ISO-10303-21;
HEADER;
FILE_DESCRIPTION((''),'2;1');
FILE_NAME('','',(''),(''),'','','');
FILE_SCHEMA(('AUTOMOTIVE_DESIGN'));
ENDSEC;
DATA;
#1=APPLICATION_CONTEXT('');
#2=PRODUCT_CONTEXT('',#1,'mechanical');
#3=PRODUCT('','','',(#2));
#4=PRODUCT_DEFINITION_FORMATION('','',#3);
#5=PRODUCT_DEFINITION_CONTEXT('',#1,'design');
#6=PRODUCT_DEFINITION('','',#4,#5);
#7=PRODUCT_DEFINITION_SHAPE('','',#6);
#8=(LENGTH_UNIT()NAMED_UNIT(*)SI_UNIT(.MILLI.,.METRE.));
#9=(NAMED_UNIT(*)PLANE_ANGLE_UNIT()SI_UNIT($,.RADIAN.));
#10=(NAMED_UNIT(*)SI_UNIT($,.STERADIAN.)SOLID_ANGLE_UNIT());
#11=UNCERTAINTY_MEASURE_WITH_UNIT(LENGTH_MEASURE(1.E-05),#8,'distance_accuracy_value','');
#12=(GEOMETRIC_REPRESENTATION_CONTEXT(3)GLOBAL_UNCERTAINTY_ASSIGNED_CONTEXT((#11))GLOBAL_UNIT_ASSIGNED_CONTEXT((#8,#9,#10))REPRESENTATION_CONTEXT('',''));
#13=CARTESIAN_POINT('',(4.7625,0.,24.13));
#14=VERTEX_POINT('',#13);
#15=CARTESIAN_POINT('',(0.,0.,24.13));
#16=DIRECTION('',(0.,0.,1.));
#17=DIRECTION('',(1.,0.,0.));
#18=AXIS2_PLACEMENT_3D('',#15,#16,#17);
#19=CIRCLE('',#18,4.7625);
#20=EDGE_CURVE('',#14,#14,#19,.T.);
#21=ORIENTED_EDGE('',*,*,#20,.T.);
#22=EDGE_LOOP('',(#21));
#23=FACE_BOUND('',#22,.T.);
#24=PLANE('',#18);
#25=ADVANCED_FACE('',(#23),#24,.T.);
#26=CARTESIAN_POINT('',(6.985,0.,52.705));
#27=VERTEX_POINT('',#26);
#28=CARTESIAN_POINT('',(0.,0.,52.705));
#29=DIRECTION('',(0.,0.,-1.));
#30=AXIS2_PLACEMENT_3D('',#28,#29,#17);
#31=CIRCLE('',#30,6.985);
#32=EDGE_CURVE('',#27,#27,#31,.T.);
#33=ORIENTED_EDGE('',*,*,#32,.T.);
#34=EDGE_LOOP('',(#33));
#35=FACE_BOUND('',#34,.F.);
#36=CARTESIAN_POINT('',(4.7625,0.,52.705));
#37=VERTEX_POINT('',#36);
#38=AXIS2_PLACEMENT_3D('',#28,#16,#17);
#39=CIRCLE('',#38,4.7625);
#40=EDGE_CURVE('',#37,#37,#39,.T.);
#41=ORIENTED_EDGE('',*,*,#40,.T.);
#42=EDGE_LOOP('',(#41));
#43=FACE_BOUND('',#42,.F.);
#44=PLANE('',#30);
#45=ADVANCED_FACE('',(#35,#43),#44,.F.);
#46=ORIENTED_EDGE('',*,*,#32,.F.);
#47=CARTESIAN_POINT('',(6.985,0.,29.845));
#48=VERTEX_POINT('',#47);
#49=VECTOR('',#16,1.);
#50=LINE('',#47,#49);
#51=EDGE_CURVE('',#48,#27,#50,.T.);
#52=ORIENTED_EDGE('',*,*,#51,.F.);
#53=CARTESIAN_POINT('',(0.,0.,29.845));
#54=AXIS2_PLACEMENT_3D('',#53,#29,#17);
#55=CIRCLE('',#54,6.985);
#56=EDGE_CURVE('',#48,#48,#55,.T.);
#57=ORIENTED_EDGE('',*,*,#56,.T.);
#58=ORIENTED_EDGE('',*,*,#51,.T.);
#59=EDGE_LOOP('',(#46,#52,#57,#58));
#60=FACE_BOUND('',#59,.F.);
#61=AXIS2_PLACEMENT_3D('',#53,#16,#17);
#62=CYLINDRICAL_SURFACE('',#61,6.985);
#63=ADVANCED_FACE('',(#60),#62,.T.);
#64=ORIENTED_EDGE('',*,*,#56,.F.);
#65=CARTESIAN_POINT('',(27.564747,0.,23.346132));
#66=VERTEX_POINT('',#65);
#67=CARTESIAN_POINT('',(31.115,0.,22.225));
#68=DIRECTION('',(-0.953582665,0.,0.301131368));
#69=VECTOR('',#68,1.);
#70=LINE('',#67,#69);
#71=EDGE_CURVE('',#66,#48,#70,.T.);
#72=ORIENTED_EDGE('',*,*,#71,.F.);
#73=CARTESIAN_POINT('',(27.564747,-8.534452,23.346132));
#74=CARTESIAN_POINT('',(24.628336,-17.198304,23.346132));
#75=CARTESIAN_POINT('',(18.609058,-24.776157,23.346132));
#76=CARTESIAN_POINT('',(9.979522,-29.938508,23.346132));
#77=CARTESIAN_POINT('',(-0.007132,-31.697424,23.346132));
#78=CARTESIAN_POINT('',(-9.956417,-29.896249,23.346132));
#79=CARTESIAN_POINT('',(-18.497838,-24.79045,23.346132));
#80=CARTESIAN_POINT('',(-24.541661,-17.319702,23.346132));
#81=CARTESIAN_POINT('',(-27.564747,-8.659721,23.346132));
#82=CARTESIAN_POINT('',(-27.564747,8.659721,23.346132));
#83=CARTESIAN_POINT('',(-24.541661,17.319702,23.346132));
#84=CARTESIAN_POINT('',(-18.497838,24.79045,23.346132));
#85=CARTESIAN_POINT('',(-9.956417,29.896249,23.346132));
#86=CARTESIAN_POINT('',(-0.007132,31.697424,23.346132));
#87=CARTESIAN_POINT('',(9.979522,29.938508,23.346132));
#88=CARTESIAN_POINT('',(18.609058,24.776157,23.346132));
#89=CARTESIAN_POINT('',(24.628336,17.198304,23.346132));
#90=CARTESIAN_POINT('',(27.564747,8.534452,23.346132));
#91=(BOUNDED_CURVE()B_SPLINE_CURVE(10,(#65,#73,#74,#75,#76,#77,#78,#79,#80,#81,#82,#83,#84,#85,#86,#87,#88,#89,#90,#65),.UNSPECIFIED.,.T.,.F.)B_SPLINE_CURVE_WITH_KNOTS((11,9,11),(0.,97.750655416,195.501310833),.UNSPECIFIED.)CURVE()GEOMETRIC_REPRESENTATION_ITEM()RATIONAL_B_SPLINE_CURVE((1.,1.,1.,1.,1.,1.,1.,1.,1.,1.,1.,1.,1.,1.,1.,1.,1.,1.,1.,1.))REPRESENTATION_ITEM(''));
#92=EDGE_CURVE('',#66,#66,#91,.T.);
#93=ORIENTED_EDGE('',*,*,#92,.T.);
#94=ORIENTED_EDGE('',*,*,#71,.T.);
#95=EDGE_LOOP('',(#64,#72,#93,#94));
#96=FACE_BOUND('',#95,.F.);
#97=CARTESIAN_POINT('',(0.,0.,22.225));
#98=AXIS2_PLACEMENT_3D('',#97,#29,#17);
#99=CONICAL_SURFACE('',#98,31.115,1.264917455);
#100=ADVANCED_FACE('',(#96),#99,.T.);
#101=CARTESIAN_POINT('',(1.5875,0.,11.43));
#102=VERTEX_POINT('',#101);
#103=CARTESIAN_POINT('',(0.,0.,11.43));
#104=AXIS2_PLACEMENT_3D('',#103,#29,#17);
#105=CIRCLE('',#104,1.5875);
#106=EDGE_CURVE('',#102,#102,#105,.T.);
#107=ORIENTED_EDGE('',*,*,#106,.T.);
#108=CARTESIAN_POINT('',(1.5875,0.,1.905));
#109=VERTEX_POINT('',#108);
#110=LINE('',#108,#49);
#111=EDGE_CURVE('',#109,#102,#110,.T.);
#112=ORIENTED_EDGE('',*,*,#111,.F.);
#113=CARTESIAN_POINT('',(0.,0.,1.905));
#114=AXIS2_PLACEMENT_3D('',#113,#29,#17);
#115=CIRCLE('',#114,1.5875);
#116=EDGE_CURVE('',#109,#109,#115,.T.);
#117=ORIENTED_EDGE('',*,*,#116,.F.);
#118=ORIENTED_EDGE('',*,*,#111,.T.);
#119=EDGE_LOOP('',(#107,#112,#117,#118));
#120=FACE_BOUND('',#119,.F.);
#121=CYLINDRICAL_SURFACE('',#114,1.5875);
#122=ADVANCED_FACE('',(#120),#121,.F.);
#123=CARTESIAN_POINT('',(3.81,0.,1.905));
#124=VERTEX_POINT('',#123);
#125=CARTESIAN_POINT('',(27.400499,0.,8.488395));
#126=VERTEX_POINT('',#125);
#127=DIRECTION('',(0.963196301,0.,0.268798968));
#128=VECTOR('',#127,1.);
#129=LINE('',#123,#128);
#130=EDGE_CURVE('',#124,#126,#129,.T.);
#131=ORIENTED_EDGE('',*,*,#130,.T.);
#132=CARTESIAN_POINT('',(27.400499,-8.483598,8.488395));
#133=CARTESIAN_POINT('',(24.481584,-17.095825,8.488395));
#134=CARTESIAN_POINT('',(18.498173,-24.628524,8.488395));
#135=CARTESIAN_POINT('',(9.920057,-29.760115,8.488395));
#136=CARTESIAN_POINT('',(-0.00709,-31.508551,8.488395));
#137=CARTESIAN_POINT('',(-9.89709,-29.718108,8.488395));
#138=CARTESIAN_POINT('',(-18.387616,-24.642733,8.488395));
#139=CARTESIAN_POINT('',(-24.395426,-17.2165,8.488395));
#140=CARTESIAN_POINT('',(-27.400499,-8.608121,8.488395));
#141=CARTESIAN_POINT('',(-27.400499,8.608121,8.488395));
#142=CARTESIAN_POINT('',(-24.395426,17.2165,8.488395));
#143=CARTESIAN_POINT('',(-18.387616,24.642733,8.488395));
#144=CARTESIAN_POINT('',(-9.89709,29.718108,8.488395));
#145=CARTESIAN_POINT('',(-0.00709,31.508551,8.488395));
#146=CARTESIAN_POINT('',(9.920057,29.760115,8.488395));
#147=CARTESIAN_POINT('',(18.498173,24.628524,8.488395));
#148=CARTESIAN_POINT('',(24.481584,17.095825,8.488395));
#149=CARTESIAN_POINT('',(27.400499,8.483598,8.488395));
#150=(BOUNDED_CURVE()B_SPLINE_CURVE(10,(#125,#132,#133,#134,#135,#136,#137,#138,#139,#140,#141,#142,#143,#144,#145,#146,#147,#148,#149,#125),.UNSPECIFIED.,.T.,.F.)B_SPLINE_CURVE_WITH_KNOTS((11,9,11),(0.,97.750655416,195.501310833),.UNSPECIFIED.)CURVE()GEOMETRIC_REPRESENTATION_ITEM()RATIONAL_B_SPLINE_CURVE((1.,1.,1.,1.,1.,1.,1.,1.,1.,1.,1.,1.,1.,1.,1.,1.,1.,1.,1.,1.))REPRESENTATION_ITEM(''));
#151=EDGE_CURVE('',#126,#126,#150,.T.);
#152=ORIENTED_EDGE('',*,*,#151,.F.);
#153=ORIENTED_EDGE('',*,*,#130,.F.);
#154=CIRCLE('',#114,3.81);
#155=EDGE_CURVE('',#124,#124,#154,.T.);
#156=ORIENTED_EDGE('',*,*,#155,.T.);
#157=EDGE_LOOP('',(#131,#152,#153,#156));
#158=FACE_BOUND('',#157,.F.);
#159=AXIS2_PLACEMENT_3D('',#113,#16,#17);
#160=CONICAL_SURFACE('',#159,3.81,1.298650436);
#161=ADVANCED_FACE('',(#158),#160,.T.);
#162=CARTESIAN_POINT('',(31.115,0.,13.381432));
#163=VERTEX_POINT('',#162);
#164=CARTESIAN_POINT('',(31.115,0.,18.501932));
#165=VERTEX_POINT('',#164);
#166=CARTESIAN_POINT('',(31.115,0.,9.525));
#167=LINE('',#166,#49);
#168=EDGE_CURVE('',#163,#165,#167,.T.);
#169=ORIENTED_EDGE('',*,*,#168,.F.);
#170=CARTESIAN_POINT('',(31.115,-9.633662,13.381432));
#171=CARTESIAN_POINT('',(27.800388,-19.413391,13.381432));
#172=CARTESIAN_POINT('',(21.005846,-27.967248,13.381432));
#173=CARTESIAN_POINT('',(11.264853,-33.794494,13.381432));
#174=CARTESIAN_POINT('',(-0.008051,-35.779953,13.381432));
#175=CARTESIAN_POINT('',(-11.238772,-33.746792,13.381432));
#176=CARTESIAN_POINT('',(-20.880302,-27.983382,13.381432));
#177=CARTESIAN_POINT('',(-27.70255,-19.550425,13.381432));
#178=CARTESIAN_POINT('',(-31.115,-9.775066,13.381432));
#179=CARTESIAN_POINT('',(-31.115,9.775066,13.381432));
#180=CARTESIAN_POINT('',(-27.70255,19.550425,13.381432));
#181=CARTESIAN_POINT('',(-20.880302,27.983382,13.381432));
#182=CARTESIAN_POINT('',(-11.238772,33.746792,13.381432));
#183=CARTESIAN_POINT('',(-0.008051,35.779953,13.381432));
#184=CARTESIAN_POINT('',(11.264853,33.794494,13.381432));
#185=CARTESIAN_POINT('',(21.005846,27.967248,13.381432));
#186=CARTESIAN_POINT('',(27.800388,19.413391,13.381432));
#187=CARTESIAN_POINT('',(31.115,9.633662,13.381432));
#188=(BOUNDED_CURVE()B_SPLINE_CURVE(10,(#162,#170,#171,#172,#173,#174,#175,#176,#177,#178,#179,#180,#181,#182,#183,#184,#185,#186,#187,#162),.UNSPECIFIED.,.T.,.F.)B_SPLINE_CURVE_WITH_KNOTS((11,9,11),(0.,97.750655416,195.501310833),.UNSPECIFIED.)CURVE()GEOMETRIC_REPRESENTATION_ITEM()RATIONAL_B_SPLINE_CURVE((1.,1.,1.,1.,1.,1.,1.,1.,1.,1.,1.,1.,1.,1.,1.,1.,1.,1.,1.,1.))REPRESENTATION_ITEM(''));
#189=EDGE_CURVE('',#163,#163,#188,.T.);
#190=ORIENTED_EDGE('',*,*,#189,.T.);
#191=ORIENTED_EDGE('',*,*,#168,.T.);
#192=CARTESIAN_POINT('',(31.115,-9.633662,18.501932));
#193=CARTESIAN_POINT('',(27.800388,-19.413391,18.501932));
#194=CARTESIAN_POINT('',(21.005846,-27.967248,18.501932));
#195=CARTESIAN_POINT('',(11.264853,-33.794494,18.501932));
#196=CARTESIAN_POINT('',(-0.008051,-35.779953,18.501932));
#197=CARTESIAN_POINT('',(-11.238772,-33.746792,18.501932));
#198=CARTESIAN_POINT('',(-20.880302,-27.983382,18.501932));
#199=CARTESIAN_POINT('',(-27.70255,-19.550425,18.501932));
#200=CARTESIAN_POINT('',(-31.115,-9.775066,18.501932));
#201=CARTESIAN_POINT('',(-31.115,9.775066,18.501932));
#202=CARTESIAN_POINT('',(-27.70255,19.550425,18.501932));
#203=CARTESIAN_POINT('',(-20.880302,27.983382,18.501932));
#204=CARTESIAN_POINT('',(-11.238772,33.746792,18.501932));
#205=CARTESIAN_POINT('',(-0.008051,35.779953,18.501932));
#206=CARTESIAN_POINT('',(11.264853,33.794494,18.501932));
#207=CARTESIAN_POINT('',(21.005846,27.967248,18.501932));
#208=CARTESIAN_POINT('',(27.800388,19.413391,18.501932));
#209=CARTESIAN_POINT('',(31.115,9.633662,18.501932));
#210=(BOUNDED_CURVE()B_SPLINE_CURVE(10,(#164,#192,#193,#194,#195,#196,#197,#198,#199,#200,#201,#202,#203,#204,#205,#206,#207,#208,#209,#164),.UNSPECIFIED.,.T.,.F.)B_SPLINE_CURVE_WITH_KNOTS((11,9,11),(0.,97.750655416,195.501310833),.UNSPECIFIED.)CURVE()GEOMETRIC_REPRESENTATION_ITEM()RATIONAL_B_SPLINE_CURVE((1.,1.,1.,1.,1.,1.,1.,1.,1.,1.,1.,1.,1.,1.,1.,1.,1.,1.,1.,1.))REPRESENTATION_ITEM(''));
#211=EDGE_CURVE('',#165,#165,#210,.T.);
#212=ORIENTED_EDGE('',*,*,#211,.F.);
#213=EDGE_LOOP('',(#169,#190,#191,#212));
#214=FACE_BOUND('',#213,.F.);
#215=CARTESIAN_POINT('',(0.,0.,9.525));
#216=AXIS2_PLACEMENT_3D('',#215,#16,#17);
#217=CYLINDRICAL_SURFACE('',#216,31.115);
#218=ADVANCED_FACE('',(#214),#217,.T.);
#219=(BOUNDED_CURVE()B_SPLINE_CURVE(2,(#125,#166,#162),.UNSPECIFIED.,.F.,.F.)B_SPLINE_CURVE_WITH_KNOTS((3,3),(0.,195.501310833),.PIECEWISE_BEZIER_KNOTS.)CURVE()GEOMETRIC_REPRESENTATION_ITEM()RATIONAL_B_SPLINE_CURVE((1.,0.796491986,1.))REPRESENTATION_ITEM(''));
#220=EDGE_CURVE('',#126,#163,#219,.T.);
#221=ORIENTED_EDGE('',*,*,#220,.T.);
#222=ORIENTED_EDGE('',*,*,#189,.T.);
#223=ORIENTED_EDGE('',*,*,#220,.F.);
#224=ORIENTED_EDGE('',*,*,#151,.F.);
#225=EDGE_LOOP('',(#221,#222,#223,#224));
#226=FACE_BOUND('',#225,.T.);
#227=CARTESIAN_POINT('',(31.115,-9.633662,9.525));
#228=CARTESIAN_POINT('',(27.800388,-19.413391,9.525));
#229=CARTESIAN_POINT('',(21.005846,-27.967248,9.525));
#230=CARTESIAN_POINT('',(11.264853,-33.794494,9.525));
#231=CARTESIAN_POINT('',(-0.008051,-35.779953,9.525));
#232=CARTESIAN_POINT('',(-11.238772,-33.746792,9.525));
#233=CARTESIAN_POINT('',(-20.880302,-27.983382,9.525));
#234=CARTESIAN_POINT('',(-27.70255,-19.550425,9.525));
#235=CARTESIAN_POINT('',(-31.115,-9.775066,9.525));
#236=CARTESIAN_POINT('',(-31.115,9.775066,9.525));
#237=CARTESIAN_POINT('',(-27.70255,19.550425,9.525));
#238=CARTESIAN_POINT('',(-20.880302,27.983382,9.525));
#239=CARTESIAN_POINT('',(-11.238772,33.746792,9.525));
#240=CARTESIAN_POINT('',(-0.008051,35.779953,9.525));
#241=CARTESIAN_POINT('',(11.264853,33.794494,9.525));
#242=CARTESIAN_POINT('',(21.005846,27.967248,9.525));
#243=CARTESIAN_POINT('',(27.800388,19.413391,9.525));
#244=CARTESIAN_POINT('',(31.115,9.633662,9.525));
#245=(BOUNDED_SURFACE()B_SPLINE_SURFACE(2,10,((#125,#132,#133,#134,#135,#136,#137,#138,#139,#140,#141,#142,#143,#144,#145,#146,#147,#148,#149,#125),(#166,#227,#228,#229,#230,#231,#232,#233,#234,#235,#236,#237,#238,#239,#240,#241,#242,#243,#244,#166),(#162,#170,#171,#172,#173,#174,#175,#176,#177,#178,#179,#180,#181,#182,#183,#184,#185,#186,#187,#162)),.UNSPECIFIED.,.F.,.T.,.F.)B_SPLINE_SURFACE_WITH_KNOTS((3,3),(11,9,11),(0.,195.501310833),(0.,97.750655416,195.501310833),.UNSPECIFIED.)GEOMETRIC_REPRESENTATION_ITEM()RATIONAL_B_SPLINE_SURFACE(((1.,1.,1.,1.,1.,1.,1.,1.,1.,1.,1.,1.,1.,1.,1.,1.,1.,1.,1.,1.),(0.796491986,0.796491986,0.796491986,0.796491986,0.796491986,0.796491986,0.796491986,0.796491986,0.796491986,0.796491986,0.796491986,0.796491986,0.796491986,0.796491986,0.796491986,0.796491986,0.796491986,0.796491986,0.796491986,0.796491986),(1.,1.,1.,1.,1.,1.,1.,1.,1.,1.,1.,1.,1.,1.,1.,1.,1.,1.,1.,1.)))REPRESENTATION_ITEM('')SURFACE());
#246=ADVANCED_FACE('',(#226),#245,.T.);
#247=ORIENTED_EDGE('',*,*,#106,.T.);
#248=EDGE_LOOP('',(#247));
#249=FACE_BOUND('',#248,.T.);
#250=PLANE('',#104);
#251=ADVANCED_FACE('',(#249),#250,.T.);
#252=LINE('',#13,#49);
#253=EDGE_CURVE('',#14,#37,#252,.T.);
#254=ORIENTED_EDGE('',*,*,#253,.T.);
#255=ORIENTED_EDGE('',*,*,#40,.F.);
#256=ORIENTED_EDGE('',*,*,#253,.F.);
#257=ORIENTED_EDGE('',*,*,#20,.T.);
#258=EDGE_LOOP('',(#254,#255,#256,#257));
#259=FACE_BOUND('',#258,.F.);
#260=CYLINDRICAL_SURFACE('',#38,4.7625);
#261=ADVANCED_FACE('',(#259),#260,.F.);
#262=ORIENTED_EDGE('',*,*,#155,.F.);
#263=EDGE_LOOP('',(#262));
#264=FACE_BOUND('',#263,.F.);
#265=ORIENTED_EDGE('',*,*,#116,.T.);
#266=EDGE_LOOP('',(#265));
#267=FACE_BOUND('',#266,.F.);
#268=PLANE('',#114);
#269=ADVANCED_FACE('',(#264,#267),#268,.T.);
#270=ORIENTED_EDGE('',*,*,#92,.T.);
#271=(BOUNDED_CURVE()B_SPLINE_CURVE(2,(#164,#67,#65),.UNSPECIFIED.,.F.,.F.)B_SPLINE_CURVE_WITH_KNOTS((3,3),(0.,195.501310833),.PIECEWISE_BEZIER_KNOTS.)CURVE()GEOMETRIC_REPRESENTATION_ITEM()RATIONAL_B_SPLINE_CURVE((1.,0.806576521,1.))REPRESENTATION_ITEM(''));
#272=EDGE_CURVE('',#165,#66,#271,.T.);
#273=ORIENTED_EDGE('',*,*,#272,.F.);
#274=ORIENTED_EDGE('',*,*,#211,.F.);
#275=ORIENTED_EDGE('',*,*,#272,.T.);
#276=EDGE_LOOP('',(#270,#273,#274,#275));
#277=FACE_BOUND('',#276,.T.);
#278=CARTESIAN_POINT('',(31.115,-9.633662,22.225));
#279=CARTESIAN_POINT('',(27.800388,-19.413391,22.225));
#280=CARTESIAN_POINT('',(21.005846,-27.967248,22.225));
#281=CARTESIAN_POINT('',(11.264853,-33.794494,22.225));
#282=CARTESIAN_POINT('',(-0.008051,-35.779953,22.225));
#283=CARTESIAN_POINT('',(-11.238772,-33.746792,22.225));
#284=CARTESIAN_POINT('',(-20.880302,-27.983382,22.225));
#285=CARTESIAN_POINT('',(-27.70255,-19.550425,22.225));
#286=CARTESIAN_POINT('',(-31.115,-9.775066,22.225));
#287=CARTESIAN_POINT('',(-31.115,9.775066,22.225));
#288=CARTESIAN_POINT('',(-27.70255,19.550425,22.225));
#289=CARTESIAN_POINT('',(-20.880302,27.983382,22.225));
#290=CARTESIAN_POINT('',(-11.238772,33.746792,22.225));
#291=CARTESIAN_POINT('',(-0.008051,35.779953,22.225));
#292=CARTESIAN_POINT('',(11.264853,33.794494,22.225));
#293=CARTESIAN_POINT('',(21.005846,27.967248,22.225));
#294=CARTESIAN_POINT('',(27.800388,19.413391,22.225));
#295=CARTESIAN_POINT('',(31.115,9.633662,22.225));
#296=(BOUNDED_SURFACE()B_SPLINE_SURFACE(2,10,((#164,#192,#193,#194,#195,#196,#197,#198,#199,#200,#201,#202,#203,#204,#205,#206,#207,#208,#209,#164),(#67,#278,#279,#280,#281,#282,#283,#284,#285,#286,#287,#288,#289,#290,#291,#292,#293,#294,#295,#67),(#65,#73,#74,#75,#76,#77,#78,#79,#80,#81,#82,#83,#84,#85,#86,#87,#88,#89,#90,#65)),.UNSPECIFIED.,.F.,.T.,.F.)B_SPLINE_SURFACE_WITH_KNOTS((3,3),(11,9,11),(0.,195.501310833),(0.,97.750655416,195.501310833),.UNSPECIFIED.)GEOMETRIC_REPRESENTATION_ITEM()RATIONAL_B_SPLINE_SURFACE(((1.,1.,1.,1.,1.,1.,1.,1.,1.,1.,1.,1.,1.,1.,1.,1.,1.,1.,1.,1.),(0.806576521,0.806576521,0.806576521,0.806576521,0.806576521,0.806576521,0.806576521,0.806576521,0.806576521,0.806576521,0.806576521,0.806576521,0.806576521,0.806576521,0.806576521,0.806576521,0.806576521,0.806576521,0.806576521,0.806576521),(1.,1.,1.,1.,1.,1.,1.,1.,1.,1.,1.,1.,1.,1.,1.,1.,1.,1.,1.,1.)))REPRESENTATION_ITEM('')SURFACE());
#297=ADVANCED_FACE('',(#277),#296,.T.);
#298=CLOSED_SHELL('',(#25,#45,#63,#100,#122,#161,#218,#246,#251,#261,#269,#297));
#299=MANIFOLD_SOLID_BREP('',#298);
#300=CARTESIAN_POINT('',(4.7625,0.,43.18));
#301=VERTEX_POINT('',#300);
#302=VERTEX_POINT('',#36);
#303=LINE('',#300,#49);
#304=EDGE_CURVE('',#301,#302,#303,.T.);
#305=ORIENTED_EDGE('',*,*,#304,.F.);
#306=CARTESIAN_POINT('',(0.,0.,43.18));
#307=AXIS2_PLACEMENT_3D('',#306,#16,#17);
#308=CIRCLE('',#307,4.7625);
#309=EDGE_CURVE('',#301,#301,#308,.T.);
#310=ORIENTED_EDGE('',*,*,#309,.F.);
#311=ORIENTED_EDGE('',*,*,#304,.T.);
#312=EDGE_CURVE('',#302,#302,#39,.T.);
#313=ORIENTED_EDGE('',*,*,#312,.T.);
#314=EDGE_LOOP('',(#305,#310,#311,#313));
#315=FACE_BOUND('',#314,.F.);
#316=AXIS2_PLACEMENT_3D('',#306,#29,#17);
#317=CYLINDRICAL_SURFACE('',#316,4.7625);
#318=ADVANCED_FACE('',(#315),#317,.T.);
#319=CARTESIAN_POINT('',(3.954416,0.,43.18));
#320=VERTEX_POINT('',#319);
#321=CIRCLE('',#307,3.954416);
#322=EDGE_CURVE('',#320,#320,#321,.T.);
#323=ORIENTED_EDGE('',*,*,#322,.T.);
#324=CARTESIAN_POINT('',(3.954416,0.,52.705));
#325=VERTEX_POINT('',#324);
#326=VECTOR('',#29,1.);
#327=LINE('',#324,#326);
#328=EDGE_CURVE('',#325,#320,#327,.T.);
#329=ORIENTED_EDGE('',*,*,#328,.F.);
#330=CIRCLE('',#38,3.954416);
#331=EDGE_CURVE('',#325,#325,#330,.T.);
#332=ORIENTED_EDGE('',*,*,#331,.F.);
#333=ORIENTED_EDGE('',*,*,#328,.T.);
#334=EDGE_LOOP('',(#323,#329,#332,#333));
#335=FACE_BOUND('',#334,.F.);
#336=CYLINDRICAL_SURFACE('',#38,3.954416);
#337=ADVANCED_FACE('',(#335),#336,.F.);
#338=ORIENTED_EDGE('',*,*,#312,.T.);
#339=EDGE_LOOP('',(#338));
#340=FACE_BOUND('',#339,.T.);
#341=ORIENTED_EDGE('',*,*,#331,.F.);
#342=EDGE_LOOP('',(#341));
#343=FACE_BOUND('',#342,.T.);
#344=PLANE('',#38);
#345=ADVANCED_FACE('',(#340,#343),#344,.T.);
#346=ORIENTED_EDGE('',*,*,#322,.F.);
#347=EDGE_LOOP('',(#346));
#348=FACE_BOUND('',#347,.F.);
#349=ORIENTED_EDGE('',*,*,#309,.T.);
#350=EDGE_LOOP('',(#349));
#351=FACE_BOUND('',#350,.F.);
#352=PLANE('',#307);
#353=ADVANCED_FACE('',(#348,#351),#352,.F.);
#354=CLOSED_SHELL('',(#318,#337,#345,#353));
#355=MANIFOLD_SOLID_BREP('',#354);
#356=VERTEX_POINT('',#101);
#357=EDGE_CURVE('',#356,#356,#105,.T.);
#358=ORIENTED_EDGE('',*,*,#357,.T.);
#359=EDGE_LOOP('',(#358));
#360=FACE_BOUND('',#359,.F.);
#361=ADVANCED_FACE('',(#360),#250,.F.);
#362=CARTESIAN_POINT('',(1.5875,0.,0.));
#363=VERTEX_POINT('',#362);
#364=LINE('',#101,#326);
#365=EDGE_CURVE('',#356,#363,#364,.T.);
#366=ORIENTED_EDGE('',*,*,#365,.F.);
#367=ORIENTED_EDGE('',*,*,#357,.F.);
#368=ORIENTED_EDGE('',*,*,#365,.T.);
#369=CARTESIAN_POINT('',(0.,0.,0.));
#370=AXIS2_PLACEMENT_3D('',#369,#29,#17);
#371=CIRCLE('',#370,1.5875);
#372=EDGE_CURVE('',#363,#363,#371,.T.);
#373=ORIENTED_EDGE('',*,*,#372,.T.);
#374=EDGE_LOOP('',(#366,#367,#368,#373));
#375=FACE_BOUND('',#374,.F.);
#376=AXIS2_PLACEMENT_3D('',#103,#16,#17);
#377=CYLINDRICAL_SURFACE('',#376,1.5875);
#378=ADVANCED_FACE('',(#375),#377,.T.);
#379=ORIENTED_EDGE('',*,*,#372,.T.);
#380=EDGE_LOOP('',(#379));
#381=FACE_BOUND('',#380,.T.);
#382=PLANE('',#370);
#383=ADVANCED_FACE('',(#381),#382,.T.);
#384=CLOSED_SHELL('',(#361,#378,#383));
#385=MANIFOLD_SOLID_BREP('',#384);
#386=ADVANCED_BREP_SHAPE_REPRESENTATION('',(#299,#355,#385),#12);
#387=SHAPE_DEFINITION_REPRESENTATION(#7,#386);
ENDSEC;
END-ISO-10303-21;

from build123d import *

# Parameters (mm, degrees)
F2_R      = 4.7625
F3_DEPTH  = 9.525
F4_R      = 1.5875
F5_DEPTH  = 9.525
F6_R      = 5.08
F3_FACE_R = 4.7625
F7_DEPTH  = 9.525
F8_R      = 3.954416
F9_DEPTH  = 9.525
F5_FACE_R = 1.5875
F10_DEPTH = 11.43
F11_DEPTH = 19.05


with BuildPart() as f1:
    # F0 (on Front) → F1 (revolve)
    with BuildSketch(Plane.XZ):
        Polygon((3.81, 1.905), (31.115, 9.525), (31.115, 22.225), (6.985, 29.845), (6.985, 52.705), (0, 52.705), (0, 1.905), align=None)
    revolve(axis=Axis((0, 0, 27.305), (0, 0, -1)))

    # F2 (on face) → F3 (cut)
    with BuildSketch(Plane.XY.offset(52.705)):
        Circle(F2_R)
    extrude(amount=-F3_DEPTH, mode=Mode.SUBTRACT)

    # F4 (on face) → F5 (cut)
    with BuildSketch(Plane(origin=(0, 0, 1.905), x_dir=(1, 0, 0), z_dir=(0, 0, -1))):
        Circle(F4_R)
    extrude(amount=-F5_DEPTH, mode=Mode.SUBTRACT)

    # F6
    f6_edges = [f1.edges().sort_by_distance(p)[0] for p in [
        (-31.115, 0, 9.525),
        (-31.115, 0, 22.225),
        (31.115, 0, 15.875),
    ]]
    fillet(f6_edges, radius=F6_R)

    # F3_face (on face) → F11 (cut)
    with BuildSketch(Plane.XY.offset(43.18)):
        Circle(F3_FACE_R)
    extrude(amount=-F11_DEPTH, mode=Mode.SUBTRACT)


with BuildPart() as f7:
    # F3_face (on face) → F7 (new body)
    with BuildSketch(Plane.XY.offset(43.18)):
        Circle(F3_FACE_R)
    extrude(amount=F7_DEPTH)

    # F8 (on face) → F9 (cut)
    with BuildSketch(Plane.XY.offset(52.705)):
        Circle(F8_R)
    extrude(amount=-F9_DEPTH, mode=Mode.SUBTRACT)


with BuildPart() as f10:
    # F5_face (on face) → F10 (new body)
    with BuildSketch(Plane(origin=(0, 0, 11.43), x_dir=(1, 0, 0), z_dir=(0, 0, -1))):
        Circle(F5_FACE_R)
    extrude(amount=F10_DEPTH)


solid = Compound([f1.part, f7.part, f10.part])
